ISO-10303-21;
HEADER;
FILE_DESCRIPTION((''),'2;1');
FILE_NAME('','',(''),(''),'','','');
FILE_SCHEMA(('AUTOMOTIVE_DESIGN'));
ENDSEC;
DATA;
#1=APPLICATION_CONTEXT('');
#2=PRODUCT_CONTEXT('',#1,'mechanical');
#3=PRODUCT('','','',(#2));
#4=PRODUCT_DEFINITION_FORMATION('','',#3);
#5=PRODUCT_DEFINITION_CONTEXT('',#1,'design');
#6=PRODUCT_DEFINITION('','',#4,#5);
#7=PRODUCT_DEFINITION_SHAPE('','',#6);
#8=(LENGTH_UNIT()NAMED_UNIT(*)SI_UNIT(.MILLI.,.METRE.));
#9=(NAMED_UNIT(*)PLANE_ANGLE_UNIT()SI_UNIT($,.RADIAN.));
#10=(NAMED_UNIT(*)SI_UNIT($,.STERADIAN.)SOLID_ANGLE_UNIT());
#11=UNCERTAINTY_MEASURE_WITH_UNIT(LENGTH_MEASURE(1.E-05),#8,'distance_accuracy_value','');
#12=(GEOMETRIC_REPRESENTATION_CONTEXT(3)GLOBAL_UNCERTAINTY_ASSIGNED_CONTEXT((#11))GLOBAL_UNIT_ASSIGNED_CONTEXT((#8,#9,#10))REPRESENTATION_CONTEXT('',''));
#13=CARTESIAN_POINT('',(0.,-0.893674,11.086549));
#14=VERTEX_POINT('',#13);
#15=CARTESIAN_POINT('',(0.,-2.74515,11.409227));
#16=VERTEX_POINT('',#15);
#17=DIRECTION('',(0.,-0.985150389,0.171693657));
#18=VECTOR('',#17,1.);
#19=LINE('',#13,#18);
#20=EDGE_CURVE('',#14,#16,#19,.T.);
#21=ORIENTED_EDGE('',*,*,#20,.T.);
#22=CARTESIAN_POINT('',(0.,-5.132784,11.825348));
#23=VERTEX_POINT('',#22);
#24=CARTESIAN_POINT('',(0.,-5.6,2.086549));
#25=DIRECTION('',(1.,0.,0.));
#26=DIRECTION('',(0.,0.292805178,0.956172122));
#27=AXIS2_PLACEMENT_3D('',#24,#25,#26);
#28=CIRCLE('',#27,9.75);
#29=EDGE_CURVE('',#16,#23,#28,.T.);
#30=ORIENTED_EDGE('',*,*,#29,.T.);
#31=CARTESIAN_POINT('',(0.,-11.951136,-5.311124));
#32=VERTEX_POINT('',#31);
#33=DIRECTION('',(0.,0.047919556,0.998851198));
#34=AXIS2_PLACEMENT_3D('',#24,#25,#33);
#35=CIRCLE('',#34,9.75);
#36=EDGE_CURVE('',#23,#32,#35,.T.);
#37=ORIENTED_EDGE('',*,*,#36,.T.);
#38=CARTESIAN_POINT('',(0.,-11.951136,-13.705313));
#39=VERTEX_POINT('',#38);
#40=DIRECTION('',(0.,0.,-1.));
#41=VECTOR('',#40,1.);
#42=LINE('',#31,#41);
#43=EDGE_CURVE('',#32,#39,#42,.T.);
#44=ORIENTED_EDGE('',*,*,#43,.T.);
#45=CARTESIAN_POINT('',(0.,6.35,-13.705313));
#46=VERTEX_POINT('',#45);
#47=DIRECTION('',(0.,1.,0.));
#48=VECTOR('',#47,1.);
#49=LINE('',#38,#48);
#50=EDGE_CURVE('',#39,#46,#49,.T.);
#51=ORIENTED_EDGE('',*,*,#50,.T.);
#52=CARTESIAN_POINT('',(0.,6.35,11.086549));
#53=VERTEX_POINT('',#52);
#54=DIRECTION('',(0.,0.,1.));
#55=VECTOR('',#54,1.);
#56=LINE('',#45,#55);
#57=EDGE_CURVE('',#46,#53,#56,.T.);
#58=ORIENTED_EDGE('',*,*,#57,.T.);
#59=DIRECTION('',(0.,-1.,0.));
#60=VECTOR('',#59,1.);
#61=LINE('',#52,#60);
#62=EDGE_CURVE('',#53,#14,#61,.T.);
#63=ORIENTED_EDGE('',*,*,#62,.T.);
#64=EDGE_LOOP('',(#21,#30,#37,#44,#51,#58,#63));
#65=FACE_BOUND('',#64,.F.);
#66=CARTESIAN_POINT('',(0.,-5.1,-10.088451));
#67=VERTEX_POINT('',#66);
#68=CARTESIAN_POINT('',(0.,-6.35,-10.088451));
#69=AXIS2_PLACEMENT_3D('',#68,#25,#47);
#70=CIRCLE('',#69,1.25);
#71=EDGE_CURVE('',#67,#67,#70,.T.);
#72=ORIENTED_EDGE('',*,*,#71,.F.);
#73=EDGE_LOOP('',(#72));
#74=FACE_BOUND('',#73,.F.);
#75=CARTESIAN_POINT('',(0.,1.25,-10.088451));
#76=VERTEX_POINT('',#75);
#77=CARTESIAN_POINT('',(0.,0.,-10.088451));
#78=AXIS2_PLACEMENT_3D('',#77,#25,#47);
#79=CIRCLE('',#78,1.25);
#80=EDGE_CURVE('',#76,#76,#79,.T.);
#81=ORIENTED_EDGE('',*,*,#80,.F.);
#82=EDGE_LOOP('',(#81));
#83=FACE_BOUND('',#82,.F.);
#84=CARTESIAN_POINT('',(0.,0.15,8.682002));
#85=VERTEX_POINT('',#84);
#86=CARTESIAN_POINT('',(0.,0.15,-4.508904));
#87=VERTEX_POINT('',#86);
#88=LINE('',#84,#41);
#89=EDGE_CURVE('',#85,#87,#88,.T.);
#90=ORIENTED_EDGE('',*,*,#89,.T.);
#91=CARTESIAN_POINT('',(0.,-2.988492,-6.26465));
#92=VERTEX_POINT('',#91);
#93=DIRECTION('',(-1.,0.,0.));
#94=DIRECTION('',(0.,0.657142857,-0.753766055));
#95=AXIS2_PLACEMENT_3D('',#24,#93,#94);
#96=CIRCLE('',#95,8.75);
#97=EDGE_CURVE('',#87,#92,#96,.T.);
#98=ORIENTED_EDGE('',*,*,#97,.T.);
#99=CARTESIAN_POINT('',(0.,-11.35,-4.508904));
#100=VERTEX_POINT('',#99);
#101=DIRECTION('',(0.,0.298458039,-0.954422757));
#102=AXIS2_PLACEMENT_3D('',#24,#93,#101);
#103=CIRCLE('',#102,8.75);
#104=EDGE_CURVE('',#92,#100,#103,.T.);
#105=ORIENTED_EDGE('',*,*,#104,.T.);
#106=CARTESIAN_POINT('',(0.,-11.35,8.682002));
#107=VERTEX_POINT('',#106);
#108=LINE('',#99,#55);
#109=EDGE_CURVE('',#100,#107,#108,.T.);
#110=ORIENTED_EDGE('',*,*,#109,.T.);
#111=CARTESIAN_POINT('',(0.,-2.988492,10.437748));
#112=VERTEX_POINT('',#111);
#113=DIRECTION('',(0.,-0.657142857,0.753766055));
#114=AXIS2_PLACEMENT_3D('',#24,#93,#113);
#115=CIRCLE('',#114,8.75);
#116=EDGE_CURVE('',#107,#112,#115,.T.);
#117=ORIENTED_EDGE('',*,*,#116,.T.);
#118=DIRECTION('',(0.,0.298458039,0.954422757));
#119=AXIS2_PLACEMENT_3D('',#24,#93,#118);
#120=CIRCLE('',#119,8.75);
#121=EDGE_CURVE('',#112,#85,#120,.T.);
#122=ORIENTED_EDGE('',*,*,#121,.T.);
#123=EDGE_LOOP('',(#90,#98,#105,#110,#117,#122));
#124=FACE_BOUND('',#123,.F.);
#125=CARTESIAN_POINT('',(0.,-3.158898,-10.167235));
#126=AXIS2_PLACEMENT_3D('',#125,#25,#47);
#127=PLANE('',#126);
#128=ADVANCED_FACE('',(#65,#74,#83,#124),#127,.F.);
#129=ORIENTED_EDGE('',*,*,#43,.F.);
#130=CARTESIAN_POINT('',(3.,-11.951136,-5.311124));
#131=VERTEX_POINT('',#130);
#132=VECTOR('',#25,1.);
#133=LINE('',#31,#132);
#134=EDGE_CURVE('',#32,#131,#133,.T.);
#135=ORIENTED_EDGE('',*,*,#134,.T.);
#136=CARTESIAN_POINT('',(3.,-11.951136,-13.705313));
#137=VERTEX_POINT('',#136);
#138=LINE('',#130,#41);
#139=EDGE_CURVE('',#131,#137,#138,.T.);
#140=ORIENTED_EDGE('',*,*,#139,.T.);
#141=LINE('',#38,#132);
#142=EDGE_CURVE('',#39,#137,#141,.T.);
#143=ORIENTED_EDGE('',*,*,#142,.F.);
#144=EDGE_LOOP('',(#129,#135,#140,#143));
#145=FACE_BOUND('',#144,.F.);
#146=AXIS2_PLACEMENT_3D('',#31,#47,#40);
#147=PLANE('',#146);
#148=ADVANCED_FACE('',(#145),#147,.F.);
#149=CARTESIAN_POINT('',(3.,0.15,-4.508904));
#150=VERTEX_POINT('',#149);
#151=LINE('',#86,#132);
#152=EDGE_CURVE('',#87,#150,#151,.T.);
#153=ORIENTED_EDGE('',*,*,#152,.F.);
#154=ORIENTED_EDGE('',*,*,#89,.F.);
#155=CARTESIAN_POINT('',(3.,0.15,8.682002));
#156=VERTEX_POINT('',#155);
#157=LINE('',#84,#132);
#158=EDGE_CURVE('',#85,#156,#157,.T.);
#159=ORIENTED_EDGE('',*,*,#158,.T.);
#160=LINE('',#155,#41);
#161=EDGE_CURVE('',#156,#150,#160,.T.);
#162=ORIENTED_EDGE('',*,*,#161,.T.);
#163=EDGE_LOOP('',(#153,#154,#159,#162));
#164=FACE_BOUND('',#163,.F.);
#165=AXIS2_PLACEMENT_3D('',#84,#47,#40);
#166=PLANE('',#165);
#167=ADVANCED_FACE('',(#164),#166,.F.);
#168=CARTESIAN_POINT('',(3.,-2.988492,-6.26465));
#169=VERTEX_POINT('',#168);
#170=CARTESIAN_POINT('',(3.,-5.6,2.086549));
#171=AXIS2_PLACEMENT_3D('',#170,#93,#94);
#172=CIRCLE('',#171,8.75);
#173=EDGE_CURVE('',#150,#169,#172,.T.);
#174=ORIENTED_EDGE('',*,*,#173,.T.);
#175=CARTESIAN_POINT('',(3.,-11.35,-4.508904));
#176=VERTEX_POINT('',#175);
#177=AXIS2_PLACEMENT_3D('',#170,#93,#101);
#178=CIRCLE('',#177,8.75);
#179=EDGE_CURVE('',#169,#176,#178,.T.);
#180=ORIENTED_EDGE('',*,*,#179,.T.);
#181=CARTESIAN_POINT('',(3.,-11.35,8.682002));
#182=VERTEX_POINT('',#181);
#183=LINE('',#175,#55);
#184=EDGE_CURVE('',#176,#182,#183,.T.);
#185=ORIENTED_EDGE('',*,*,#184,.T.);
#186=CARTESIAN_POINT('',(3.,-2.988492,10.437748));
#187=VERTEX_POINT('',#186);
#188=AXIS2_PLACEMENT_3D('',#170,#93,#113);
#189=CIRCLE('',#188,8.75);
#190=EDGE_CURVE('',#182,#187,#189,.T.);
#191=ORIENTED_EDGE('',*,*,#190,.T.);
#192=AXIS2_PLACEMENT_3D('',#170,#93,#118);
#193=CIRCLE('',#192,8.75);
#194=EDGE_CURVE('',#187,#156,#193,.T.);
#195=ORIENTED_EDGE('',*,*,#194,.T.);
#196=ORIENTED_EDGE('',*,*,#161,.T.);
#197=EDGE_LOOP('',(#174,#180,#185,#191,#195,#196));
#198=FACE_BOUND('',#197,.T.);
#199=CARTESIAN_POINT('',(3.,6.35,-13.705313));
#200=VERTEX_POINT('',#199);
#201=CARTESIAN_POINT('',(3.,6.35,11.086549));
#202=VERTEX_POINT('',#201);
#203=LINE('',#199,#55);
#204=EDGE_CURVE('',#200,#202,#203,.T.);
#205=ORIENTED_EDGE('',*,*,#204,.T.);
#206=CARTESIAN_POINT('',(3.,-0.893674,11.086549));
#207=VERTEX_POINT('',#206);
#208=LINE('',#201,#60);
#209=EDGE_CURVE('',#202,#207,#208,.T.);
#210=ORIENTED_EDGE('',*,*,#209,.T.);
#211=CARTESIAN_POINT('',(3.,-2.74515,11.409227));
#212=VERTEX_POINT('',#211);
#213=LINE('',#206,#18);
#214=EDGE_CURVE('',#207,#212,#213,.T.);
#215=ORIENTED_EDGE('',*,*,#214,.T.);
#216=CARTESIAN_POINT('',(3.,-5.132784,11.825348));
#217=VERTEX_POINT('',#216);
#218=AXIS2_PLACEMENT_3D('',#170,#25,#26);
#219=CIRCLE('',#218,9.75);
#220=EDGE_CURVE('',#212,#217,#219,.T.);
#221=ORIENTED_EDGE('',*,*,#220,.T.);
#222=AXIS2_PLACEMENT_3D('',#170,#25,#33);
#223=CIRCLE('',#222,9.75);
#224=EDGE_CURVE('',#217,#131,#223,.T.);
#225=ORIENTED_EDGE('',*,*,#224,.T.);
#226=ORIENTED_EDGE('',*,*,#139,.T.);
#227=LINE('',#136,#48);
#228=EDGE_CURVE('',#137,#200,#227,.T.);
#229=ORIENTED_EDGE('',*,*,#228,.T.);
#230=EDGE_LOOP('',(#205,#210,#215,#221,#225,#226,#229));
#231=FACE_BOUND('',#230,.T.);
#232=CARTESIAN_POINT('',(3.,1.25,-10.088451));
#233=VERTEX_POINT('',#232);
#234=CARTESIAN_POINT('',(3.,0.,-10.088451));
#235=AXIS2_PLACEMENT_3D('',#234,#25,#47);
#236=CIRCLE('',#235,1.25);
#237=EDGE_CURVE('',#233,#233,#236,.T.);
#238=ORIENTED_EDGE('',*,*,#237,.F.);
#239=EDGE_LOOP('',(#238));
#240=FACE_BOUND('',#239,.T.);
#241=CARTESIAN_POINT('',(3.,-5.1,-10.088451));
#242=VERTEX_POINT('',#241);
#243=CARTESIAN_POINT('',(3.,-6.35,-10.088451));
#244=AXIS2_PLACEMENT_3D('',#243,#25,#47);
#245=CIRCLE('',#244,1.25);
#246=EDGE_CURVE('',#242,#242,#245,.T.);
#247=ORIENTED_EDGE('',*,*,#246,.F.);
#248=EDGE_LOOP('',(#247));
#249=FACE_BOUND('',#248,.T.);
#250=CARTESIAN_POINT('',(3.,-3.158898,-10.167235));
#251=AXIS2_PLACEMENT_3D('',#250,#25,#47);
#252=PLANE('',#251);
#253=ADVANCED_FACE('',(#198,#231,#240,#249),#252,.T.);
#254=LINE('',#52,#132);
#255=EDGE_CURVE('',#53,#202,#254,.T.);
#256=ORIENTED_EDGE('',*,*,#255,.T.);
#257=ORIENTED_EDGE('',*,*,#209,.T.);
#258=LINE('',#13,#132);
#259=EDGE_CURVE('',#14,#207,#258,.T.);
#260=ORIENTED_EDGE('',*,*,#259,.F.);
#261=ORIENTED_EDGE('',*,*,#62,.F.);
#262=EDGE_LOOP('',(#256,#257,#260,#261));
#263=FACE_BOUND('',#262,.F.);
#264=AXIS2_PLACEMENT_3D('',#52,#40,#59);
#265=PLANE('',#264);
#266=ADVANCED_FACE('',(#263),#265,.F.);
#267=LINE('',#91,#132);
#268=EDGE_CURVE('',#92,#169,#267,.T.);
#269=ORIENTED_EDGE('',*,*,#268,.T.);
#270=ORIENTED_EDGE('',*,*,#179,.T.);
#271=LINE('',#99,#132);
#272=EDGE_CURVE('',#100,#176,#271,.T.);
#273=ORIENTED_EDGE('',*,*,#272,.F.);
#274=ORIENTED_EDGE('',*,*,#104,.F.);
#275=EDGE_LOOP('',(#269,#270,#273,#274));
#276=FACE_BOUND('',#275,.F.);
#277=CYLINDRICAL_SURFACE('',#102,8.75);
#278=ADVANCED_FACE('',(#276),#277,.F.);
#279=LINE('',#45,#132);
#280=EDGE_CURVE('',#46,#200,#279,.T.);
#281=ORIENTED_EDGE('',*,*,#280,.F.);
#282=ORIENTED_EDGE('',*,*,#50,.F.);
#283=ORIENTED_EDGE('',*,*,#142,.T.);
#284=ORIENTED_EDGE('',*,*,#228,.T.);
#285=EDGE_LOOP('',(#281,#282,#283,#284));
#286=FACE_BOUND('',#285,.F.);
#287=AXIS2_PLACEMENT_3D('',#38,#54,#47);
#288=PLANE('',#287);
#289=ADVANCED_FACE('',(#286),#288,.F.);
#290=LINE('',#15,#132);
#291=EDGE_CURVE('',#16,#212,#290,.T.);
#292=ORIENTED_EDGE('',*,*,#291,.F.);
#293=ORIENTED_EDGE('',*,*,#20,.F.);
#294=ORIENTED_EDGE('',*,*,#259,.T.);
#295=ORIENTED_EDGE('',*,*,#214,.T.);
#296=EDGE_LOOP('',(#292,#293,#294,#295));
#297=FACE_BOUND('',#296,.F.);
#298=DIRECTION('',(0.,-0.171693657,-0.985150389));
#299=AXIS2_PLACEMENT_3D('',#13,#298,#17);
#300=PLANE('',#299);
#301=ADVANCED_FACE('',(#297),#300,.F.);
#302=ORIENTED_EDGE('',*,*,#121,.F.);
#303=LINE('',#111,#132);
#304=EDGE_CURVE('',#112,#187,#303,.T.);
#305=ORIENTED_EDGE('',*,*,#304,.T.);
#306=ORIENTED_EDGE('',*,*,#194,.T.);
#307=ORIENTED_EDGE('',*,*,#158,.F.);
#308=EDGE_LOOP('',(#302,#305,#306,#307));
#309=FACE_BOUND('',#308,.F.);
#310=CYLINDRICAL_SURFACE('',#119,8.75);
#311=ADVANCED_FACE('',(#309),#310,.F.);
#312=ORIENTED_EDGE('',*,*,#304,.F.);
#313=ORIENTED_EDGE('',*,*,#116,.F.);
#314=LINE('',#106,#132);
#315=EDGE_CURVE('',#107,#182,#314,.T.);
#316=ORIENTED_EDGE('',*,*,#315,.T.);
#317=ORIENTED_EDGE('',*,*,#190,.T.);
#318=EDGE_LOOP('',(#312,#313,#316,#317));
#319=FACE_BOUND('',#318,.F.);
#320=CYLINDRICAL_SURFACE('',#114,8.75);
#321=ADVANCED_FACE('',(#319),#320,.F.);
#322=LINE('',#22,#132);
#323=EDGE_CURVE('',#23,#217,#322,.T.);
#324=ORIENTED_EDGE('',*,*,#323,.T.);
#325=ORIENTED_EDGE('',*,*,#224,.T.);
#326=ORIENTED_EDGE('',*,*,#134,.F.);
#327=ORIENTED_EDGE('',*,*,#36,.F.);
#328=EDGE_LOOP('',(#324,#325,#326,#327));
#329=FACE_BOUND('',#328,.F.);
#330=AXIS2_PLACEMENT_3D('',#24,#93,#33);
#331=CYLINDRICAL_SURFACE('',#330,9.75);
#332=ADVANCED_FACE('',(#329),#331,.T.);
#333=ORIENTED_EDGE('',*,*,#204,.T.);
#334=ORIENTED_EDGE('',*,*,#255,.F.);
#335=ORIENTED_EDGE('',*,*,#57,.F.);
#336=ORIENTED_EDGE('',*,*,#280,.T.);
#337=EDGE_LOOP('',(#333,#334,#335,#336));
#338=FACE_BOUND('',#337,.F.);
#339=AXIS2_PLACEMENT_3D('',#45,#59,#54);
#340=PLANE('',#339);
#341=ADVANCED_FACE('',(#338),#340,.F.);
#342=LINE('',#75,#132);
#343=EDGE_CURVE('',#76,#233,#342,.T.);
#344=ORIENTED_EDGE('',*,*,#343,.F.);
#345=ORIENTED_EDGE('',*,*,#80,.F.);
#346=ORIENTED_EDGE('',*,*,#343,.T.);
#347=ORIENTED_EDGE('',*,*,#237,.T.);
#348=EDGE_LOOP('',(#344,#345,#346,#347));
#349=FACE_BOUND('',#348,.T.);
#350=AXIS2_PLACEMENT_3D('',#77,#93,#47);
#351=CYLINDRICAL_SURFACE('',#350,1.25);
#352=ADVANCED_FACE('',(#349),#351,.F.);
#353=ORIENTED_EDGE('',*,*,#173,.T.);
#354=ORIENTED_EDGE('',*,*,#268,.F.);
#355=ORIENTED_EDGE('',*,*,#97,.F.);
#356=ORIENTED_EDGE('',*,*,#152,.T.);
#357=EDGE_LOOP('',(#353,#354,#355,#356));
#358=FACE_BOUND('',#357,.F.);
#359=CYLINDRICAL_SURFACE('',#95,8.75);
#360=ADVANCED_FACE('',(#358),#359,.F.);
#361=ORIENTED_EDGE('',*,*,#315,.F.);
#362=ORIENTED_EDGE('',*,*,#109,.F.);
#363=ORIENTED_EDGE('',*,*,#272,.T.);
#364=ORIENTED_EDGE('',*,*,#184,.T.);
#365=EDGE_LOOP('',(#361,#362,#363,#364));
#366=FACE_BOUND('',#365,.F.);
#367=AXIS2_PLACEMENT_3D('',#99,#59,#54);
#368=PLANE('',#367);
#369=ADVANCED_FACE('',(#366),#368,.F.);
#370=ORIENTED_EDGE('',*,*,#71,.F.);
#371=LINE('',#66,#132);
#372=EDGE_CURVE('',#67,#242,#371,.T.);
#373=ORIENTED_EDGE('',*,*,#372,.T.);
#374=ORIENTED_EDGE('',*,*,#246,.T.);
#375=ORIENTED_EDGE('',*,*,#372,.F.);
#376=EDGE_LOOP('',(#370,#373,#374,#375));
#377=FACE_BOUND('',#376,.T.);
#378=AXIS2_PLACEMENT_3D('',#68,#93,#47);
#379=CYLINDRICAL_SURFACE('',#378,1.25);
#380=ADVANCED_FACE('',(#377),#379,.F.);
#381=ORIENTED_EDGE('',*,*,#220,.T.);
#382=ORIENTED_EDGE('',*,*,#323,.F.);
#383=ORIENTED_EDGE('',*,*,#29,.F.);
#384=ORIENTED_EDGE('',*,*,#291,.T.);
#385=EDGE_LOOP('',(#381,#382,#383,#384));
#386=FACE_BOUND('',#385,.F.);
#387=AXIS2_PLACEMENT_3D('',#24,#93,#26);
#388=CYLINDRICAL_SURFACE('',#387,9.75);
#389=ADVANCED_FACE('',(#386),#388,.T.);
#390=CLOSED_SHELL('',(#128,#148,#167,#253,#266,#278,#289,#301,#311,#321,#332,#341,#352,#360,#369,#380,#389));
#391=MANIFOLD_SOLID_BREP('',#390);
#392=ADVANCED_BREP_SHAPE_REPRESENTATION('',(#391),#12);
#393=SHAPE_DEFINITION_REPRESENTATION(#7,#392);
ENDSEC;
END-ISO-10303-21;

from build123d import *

# Parameters (mm, degrees)
F0_R     = 1.25
F1_DEPTH = 3


with BuildPart() as f1:
    # F0 (on Right) → F1 (new body)
    with BuildSketch(Plane.YZ):
        with BuildLine():
            Line((-11.9511362031, -5.3111244172), (-11.9511362031, -13.7053132072))
            Line((-11.9511362031, -13.7053132072), (6.35, -13.7053132072))
            Line((6.35, -13.7053132072), (6.35, -6.9134512067))
            Line((6.35, -6.9134512067), (-0.8936743198, -6.9134512067))
            Line((-0.8936743198, -6.9134512067), (-2.7451495133, -7.2361294001))
            ThreePointArc((-2.7451495133, -7.2361294001), (-3.9259868399, -7.5186674947), (-5.1327843279, -7.6522503891))
            ThreePointArc((-5.1327843279, -7.6522503891), (-8.7662829798, -7.1350102989), (-11.9511362031, -5.3111244172))
        make_face()
        with Locations((-6.35, -10.0884512067)):
            Circle(F0_R, mode=Mode.SUBTRACT)
        with Locations((0, -10.0884512067)):
            Circle(F0_R, mode=Mode.SUBTRACT)
        with BuildLine():
            ThreePointArc((-5.1327843279, 11.8253479758), (-14.6592384736, 5.6910873598), (-11.9511362031, -5.3111244172))
            ThreePointArc((-11.9511362031, -5.3111244172), (-8.7662829798, -7.1350102989), (-5.1327843279, -7.6522503891))
            Line((-5.1327843279, -7.6522503891), (-2.7451495133, -7.2361294001))
            ThreePointArc((-2.7451495133, -7.2361294001), (-1.3343098737, -6.6807990238), (-0.0266257976, -5.9134512067))
            Line((-0.0266257976, -5.9134512067), (-2.9884921599, -6.2646503302))
            ThreePointArc((-2.9884921599, -6.2646503302), (-7.3981085591, -6.4767044208), (-11.35, -4.5089041858))
            ThreePointArc((-11.35, -4.5089041858), (-14.35, 2.0865487933), (-11.35, 8.6820017725))
            ThreePointArc((-11.35, 8.6820017725), (-7.3981085591, 10.6498020075), (-2.9884921599, 10.4377479169))
            Line((-2.9884921599, 10.4377479169), (-0.0266257976, 10.0865487933))
            ThreePointArc((-0.0266257976, 10.0865487933), (-1.3343098737, 10.8538966105), (-2.7451495133, 11.4092269868))
            Line((-2.7451495133, 11.4092269868), (-5.1327843279, 11.8253479758))
        make_face()
        with BuildLine():
            ThreePointArc((-2.7451495133, 11.4092269868), (-3.9259868399, 11.6917650813), (-5.1327843279, 11.8253479758))
            Line((-5.1327843279, 11.8253479758), (-2.7451495133, 11.4092269868))
        make_face()
        with BuildLine():
            Line((-0.8936743198, -6.9134512067), (6.35, -6.9134512067))
            Line((6.35, -6.9134512067), (6.35, -3.945808849))
            Line((6.35, -3.945808849), (5.35, -3.945808849))
            Line((5.35, -3.945808849), (5.35, -5.9134512067))
            Line((5.35, -5.9134512067), (-0.0266257976, -5.9134512067))
            ThreePointArc((-0.0266257976, -5.9134512067), (-1.3343098737, -6.6807990238), (-2.7451495133, -7.2361294001))
            Line((-2.7451495133, -7.2361294001), (-0.8936743198, -6.9134512067))
        make_face()
        with BuildLine():
            Line((-0.8936743198, 11.0865487933), (-2.7451495133, 11.4092269868))
            ThreePointArc((-2.7451495133, 11.4092269868), (-1.3343098737, 10.8538966105), (-0.0266257976, 10.0865487933))
            Line((-0.0266257976, 10.0865487933), (5.35, 10.0865487933))
            Line((5.35, 10.0865487933), (5.35, 8.1189064356))
            Line((5.35, 8.1189064356), (6.35, 8.1189064356))
            Line((6.35, 8.1189064356), (6.35, 11.0865487933))
            Line((6.35, 11.0865487933), (-0.8936743198, 11.0865487933))
        make_face()
        Polygon((5.35, -3.945808849), (6.35, -3.945808849), (6.35, 2.0865487933), (6.35, 8.1189064356), (5.35, 8.1189064356), (5.35, 2.0865487933), align=None)
        with BuildLine():
            ThreePointArc((4.15, 2.0865487933), (3.0430000137, 6.5988708965), (-0.0266257976, 10.0865487933))
            Line((-0.0266257976, 10.0865487933), (-2.9884921599, 10.4377479169))
            ThreePointArc((-2.9884921599, 10.4377479169), (-1.328072511, 9.7228525804), (0.15, 8.6820017725))
            ThreePointArc((0.15, 8.6820017725), (2.364766161, 5.7093929799), (3.15, 2.0865487933))
            ThreePointArc((3.15, 2.0865487933), (2.364766161, -1.5362953932), (0.15, -4.5089041858))
            ThreePointArc((0.15, -4.5089041858), (-1.328072511, -5.5497549938), (-2.9884921599, -6.2646503302))
            Line((-2.9884921599, -6.2646503302), (-0.0266257976, -5.9134512067))
            ThreePointArc((-0.0266257976, -5.9134512067), (3.0430000137, -2.4257733099), (4.15, 2.0865487933))
        make_face()
        with BuildLine():
            Line((5.35, 10.0865487933), (-0.0266257976, 10.0865487933))
            ThreePointArc((-0.0266257976, 10.0865487933), (3.0430000137, 6.5988708965), (4.15, 2.0865487933))
            ThreePointArc((4.15, 2.0865487933), (3.0430000137, -2.4257733099), (-0.0266257976, -5.9134512067))
            Line((-0.0266257976, -5.9134512067), (5.35, -5.9134512067))
            Line((5.35, -5.9134512067), (5.35, -3.945808849))
            Line((5.35, -3.945808849), (5.35, 2.0865487933))
            Line((5.35, 2.0865487933), (5.35, 8.1189064356))
            Line((5.35, 8.1189064356), (5.35, 10.0865487933))
        make_face()
        with BuildLine():
            Line((-11.35, -4.5089041858), (-11.35, 8.6820017725))
            ThreePointArc((-11.35, 8.6820017725), (-14.35, 2.0865487933), (-11.35, -4.5089041858))
        make_face()
        with BuildLine():
            ThreePointArc((3.15, 2.0865487933), (2.364766161, 5.7093929799), (0.15, 8.6820017725))
            Line((0.15, 8.6820017725), (0.15, -4.5089041858))
            ThreePointArc((0.15, -4.5089041858), (2.364766161, -1.5362953932), (3.15, 2.0865487933))
        make_face()
        with BuildLine():
            Line((-2.7451495133, -7.2361294001), (-5.1327843279, -7.6522503891))
            ThreePointArc((-5.1327843279, -7.6522503891), (-3.9259868399, -7.5186674947), (-2.7451495133, -7.2361294001))
        make_face()
    extrude(amount=F1_DEPTH)


solid = f1.part
